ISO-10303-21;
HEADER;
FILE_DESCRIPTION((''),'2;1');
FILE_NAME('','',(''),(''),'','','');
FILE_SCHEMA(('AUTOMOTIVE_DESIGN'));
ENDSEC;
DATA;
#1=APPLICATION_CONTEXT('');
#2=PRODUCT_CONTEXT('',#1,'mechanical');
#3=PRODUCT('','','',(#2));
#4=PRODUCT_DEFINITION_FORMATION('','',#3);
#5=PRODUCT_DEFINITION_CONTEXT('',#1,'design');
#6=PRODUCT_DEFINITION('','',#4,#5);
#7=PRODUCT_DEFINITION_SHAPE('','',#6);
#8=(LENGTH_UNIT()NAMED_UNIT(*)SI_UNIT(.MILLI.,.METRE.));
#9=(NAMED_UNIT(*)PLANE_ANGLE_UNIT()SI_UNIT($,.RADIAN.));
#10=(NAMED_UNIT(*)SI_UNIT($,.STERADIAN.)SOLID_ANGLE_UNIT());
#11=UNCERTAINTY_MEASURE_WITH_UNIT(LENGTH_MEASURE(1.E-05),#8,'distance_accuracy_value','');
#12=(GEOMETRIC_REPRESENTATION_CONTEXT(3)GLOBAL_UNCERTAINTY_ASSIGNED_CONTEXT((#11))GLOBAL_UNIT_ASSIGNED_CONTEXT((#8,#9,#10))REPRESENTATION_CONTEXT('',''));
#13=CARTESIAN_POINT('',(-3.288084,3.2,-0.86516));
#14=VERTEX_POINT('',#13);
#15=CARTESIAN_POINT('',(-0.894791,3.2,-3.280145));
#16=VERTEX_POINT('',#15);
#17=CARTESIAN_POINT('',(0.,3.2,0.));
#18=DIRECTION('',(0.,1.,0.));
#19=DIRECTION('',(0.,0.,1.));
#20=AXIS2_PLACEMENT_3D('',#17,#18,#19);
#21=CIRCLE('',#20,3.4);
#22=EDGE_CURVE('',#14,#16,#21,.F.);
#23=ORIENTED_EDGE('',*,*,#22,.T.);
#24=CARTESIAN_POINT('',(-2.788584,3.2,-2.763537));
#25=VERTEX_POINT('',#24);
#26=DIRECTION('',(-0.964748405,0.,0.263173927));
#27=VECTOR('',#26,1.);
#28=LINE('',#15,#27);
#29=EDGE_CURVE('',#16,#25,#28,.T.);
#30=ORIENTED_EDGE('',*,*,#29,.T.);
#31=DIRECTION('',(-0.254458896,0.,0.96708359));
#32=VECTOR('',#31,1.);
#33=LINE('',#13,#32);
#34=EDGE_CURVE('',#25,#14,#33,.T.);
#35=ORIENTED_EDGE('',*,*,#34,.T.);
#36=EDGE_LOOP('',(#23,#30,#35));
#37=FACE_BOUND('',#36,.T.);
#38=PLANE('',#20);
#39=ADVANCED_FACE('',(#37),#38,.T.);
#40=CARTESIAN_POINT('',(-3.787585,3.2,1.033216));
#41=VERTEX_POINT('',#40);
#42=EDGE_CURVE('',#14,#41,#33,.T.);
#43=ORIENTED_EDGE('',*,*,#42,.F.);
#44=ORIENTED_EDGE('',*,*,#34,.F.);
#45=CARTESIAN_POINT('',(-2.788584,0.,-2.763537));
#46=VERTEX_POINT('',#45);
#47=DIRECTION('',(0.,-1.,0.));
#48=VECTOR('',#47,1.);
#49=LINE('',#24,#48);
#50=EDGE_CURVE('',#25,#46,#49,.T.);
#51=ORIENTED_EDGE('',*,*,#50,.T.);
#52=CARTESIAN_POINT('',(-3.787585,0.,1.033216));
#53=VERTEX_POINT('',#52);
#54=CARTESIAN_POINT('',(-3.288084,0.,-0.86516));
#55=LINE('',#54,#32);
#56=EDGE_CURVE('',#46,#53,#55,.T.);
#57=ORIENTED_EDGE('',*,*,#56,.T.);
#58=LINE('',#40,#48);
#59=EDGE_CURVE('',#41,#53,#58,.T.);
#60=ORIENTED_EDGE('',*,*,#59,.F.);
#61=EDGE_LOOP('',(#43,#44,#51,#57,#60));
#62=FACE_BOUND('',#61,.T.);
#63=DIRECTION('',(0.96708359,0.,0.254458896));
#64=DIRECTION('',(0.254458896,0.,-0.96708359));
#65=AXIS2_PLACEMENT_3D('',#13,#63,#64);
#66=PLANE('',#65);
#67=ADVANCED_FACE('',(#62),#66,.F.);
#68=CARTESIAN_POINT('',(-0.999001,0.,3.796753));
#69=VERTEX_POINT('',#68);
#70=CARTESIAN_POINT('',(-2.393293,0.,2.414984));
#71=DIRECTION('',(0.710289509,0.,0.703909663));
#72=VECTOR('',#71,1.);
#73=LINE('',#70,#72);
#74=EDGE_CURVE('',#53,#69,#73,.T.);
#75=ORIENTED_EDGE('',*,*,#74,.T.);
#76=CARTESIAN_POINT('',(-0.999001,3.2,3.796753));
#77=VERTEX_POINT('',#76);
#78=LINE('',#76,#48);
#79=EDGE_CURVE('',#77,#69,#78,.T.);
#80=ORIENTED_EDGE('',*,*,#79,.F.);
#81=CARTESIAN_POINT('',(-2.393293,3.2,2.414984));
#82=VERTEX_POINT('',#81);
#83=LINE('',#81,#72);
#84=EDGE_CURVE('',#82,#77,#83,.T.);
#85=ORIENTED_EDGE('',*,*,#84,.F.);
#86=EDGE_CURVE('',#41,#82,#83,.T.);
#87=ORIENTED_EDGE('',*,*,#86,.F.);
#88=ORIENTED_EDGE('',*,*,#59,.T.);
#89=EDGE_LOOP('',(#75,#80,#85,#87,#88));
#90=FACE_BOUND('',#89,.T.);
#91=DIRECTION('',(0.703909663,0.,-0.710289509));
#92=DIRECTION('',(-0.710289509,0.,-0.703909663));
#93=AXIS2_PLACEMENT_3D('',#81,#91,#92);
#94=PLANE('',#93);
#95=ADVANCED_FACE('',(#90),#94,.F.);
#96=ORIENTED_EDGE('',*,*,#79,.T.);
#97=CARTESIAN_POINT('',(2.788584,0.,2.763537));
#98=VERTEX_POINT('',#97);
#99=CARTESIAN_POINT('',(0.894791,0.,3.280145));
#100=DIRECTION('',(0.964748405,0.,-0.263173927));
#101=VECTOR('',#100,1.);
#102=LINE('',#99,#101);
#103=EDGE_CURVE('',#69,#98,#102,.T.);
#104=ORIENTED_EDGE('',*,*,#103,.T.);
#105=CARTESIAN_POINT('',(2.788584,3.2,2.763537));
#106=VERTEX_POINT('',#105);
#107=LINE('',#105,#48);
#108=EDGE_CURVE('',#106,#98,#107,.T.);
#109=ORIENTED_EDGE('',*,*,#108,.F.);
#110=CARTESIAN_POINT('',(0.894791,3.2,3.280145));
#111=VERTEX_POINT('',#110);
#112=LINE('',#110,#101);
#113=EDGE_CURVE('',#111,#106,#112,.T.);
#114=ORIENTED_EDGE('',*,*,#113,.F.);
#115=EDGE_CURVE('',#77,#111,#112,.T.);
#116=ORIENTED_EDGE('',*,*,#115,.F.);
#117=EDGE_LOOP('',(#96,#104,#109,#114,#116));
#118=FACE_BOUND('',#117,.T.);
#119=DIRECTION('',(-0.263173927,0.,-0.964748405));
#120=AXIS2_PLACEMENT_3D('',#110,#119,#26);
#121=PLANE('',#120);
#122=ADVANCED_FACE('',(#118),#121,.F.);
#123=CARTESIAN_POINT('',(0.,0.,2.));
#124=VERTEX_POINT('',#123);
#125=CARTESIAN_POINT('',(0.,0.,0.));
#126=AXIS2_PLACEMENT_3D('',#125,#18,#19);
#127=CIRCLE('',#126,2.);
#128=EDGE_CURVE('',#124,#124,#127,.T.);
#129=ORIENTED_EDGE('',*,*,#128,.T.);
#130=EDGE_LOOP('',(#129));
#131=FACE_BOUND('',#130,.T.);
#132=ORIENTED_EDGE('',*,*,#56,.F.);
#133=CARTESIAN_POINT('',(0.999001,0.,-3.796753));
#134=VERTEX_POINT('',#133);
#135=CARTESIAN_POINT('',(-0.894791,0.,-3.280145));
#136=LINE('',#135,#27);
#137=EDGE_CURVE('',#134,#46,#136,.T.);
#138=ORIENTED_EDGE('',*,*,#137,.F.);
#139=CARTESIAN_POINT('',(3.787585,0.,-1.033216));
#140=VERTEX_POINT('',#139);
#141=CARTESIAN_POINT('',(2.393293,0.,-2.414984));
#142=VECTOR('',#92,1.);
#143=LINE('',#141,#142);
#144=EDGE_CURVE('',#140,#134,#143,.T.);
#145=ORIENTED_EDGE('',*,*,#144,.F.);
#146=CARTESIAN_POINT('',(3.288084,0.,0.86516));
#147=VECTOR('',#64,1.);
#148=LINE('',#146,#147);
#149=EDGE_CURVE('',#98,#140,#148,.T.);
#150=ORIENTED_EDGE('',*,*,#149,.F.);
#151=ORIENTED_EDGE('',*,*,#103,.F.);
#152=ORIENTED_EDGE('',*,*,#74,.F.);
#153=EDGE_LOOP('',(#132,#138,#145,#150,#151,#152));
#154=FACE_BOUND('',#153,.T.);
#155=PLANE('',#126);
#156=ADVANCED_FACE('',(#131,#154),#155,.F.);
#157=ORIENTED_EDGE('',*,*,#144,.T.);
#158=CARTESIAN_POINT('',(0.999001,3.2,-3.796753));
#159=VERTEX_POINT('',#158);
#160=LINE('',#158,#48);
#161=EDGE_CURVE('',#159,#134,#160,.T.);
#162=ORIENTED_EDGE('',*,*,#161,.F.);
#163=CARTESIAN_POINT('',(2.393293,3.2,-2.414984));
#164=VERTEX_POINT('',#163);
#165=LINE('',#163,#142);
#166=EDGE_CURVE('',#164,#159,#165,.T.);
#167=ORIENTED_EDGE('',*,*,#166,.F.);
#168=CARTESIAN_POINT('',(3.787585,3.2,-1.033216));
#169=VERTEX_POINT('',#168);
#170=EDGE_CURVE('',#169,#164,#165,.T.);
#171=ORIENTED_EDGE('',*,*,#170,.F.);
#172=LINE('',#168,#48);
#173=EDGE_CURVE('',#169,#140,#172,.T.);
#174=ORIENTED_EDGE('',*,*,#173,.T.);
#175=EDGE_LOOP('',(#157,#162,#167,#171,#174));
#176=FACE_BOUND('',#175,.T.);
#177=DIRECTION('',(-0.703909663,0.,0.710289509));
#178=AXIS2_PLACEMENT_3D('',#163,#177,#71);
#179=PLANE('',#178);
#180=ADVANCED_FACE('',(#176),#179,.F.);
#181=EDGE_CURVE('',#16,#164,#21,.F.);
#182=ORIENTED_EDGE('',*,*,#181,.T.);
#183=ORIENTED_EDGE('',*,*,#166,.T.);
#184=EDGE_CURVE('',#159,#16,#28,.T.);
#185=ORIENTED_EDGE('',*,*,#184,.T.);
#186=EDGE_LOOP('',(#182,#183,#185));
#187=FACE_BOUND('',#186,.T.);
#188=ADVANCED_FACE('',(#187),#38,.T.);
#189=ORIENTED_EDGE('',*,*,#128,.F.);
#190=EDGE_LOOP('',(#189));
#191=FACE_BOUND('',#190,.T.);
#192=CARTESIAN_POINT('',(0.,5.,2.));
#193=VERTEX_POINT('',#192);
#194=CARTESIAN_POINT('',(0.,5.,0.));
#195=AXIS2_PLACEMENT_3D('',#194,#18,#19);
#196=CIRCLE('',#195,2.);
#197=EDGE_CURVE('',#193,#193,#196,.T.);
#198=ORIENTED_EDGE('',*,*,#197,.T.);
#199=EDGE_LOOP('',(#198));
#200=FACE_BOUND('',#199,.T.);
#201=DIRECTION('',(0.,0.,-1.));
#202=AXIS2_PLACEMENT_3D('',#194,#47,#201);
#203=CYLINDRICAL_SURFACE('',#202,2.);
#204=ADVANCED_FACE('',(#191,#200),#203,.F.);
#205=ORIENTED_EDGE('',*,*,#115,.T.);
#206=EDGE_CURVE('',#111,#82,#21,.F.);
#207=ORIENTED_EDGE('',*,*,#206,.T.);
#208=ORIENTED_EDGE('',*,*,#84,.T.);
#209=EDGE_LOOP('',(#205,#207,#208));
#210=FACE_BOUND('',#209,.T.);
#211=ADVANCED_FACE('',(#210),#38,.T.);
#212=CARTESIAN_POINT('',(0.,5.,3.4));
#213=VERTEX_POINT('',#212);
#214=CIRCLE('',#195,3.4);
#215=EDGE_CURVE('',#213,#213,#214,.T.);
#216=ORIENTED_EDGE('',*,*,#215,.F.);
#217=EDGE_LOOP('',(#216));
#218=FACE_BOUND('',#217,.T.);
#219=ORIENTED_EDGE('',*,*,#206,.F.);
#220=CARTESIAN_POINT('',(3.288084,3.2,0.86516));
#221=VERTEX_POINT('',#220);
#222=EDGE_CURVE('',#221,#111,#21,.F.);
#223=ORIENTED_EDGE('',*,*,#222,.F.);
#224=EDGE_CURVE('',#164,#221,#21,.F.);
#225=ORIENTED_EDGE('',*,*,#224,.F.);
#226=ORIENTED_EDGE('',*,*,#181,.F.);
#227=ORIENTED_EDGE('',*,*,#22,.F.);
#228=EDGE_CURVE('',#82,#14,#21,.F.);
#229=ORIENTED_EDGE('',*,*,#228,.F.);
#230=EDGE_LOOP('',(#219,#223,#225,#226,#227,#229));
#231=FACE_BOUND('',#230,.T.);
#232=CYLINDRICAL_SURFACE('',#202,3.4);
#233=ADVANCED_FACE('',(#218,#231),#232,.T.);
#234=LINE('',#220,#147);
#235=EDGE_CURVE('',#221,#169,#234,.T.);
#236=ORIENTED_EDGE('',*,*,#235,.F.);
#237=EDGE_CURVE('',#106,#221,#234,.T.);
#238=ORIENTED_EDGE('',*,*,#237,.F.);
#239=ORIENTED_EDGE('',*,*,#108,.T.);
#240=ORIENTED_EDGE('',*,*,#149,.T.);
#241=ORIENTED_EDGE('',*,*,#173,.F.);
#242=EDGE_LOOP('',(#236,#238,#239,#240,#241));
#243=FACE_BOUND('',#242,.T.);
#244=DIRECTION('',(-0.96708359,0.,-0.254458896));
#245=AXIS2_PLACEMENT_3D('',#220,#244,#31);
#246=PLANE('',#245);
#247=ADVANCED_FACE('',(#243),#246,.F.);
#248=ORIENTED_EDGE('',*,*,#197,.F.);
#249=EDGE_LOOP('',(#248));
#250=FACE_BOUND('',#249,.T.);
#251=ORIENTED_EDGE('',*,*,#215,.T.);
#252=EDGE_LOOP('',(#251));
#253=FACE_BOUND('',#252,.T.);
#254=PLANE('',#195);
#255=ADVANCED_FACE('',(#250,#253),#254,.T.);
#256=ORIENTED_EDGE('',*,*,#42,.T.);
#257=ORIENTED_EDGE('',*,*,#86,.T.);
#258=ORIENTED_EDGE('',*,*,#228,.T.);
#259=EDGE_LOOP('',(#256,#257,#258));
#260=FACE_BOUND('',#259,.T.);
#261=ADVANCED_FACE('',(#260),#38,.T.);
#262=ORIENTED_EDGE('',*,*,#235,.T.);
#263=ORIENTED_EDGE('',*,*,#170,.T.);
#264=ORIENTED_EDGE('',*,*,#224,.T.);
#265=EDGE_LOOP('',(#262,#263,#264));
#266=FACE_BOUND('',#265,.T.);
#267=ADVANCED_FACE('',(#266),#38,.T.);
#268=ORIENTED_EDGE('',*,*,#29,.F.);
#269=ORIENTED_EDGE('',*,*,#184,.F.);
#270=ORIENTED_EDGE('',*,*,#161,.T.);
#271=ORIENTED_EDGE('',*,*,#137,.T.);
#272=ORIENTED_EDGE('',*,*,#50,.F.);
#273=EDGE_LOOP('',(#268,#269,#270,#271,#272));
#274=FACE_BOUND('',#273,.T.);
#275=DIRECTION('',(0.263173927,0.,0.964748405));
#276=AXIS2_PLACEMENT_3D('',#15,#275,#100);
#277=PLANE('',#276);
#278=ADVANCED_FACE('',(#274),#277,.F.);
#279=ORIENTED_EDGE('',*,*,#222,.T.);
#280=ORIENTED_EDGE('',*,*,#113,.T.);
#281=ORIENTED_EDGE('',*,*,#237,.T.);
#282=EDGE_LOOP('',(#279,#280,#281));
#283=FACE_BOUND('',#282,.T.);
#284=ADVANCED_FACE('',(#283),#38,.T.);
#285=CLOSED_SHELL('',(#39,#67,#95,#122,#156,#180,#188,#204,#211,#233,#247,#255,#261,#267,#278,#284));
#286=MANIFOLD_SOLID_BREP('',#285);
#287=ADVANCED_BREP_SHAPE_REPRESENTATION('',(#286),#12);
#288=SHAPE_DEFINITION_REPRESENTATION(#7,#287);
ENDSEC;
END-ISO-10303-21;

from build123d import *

# Parameters (mm, degrees)
EXTRUDE_1_DEPTH     = 3.2
EXTRUDE_2_DEPTH     = 5
SKETCH_2_R          = 2
CUT_EXTRUDE_1_DEPTH = 5


with BuildPart() as part:
    # 草图1 → 凸台-拉伸1 (new body)
    with BuildSketch(Plane(origin=(0, 0, 0), x_dir=(1, 0, 0), z_dir=(0, 1, 0))):
        Polygon((3.787584707, 1.033216056), (0.999001002, 3.796752603), (-2.788583706, 2.763536548), (-3.787584707, -1.033216056), (-0.999001002, -3.796752603), (2.788583706, -2.763536548), align=None)
    extrude(amount=EXTRUDE_1_DEPTH)

    # 草图1<3> → 凸台-拉伸2 (add)
    with BuildSketch(Plane(origin=(0, 0, 0), x_dir=(1, 0, 0), z_dir=(0, 1, 0))):
        with BuildLine():
            ThreePointArc((3.4, 0), (3.13824753, 1.308205811), (2.39329268, 2.414984502))
            ThreePointArc((2.39329268, 2.414984502), (0.865160253, 3.288084205), (-0.894791101, 3.280144644))
            ThreePointArc((-0.894791101, 3.280144644), (-2.414984144, 2.393293042), (-3.288084139, 0.865160504))
            ThreePointArc((-3.288084139, 0.865160504), (-3.280144574, -0.894791357), (-2.393292658, -2.414984524))
            ThreePointArc((-2.393292658, -2.414984524), (-0.865160223, -3.288084212), (0.894791131, -3.280144636))
            ThreePointArc((0.894791131, -3.280144636), (2.414984165, -2.39329302), (3.288084146, -0.865160476))
            ThreePointArc((3.288084146, -0.865160476), (3.371904958, -0.436184539), (3.4, 0))
        make_face()
    extrude(amount=EXTRUDE_2_DEPTH)

    # 草图2 → 切除-拉伸1 (cut)
    with BuildSketch(Plane(origin=(0, 0, 0), x_dir=(1, 0, 0), z_dir=(0, 1, 0))):
        Circle(SKETCH_2_R)
    extrude(amount=CUT_EXTRUDE_1_DEPTH, mode=Mode.SUBTRACT)


solid = part.part
